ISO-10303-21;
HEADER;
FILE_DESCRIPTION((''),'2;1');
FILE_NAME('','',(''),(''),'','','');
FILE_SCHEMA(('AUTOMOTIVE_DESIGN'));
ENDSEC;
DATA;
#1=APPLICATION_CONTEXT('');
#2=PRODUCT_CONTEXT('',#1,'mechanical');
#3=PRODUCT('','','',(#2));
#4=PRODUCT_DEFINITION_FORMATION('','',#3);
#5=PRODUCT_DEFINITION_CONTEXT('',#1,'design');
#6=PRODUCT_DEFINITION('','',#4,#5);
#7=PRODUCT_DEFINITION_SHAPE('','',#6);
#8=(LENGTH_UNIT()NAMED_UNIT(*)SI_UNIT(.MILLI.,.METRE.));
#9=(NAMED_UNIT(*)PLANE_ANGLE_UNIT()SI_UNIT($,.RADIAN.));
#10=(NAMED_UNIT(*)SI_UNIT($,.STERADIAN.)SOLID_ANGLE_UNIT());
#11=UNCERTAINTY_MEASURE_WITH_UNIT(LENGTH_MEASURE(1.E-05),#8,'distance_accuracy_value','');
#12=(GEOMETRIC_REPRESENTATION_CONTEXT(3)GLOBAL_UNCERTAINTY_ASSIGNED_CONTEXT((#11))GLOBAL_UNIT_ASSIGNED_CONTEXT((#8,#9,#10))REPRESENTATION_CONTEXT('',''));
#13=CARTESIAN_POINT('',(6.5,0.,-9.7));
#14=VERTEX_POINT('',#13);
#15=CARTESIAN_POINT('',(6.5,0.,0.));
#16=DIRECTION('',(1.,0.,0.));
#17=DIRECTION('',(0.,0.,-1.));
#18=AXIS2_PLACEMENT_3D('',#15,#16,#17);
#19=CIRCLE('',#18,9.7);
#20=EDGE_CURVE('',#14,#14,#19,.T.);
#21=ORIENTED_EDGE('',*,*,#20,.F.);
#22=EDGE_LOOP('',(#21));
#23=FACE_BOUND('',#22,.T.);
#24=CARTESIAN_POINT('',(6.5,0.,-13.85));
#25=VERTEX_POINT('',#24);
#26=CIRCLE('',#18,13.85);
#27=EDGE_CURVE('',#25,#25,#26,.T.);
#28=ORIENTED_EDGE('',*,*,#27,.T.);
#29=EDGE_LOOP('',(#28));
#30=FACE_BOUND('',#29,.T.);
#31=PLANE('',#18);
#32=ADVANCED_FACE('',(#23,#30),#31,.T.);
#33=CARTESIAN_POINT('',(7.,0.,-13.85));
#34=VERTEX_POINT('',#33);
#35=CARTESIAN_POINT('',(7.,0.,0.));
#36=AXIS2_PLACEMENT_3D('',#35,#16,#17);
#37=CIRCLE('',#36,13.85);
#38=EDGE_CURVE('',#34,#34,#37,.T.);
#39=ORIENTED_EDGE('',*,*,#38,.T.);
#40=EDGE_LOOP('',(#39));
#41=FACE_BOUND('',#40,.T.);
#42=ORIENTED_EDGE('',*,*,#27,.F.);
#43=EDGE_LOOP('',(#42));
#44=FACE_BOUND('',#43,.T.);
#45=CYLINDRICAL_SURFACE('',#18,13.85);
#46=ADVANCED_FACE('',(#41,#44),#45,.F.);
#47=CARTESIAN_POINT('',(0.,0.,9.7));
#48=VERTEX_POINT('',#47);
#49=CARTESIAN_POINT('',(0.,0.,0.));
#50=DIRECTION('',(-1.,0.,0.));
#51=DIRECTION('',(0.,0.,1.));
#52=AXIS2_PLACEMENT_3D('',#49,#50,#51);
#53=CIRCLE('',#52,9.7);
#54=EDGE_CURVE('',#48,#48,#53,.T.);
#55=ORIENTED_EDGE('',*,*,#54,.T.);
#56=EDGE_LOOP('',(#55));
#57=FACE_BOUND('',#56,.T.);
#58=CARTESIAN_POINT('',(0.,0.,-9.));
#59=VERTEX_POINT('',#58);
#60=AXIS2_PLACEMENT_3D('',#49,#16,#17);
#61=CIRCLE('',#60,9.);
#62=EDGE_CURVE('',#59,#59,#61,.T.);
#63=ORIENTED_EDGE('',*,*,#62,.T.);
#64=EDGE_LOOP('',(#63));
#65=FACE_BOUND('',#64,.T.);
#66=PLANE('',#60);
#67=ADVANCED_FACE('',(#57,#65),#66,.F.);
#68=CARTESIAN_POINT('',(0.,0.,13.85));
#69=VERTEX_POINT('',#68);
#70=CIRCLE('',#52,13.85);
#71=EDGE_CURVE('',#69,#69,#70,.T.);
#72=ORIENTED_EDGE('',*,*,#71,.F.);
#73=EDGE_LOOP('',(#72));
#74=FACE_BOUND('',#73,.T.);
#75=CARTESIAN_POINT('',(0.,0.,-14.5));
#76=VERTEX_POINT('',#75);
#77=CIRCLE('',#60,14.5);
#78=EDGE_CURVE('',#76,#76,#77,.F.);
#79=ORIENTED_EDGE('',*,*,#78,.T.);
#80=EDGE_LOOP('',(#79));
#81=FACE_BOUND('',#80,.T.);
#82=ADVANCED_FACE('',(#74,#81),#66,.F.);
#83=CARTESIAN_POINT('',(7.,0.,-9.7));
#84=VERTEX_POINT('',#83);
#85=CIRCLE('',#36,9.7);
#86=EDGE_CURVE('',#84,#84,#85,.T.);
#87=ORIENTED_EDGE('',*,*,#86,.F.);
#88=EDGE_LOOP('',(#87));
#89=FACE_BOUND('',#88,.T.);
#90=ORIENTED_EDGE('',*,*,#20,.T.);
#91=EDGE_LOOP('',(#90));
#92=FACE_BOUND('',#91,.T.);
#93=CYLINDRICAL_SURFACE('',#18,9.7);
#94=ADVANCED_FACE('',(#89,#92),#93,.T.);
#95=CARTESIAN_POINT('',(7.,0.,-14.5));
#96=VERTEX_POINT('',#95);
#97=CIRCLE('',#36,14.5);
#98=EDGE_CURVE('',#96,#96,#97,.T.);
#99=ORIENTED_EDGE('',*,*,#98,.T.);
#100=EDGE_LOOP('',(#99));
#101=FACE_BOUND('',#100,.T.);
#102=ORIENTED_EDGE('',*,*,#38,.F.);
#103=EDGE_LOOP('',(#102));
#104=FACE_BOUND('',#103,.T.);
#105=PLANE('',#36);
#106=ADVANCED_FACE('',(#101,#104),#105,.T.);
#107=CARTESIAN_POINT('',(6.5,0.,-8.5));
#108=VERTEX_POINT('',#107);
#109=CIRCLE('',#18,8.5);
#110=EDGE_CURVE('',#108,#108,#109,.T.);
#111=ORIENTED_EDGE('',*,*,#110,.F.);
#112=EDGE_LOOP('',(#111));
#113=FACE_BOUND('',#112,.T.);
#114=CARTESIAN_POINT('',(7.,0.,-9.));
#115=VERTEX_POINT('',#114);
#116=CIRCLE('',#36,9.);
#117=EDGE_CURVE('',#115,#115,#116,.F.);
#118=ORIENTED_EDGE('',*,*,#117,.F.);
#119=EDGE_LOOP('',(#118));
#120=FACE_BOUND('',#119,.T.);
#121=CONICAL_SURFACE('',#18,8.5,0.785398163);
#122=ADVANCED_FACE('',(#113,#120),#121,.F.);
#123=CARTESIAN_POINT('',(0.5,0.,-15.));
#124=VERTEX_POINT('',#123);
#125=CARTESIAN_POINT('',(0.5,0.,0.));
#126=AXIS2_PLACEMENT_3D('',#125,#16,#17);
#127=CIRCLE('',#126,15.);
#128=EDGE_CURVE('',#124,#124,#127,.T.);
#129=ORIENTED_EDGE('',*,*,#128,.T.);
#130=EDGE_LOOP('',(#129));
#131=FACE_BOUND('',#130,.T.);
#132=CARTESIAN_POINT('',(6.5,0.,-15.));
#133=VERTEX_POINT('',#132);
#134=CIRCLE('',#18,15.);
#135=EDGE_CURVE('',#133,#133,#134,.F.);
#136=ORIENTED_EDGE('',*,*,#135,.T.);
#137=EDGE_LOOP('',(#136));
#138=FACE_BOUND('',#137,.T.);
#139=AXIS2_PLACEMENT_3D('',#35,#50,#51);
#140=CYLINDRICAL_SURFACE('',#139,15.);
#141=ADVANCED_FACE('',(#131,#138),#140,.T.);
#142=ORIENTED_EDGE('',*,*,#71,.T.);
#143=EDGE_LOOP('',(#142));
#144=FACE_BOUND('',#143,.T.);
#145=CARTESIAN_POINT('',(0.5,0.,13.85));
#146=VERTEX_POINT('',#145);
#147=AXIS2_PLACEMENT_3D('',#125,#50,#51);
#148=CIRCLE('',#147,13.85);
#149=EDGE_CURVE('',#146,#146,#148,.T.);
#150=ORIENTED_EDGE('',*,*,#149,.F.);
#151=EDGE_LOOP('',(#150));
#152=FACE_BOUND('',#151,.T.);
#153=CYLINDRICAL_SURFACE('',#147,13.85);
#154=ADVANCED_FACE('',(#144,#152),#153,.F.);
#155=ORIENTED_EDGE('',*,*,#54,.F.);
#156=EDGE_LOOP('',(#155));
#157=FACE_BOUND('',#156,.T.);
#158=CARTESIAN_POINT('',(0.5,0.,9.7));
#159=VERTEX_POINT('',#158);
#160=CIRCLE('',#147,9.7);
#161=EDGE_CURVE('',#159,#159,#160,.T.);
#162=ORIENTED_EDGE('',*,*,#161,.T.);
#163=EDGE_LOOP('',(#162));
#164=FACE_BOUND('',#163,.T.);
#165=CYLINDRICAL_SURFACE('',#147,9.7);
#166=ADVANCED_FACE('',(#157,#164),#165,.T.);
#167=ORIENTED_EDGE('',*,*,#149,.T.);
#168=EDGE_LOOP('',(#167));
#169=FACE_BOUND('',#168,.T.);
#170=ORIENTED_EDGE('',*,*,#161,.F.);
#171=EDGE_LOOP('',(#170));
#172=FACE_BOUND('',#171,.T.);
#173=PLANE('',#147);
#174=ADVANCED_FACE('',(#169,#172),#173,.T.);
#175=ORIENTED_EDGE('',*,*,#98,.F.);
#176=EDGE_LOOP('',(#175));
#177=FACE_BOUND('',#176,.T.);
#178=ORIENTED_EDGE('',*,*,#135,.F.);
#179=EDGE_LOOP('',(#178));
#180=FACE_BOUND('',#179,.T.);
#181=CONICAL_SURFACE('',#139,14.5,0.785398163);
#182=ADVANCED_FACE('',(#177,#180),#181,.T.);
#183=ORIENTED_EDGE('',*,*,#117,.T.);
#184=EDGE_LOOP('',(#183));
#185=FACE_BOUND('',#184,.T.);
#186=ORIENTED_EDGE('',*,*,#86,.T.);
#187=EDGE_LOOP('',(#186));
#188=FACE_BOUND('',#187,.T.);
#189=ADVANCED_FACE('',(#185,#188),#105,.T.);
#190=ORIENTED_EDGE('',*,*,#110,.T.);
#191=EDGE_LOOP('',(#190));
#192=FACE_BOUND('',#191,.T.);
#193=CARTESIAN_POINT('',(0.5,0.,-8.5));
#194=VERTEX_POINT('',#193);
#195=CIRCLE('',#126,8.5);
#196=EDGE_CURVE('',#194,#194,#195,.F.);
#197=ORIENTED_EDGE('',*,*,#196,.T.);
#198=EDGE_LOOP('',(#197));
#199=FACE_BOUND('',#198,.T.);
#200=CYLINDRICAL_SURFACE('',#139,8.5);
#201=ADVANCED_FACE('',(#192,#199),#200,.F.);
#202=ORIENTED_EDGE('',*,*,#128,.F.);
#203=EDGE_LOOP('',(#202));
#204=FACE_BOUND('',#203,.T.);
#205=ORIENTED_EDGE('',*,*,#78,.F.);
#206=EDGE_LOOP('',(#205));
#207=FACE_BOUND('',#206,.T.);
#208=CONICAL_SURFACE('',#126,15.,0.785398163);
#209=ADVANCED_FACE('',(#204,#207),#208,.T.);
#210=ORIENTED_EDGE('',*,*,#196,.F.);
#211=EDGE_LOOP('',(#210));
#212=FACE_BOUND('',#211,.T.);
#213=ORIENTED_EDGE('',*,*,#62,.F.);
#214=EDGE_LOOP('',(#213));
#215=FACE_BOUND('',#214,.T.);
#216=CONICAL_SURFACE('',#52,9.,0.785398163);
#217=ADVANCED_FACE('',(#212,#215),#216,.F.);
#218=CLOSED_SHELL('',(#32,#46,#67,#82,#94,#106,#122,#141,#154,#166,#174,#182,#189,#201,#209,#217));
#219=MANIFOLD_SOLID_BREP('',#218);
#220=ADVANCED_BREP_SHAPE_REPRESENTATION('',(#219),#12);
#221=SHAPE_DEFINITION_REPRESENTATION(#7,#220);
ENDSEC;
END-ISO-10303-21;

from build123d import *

# Parameters (mm, degrees)
SKETCH1_R           = 15
SKETCH1_R_2         = 8.5
BOSS_EXTRUDE1_DEPTH = 7
CHAMFER1_SIZE       = 0.5
SKETCH2_R           = 13.85
SKETCH2_R_2         = 9.7
CUT_EXTRUDE1_DEPTH  = 0.5
SKETCH3_R           = 13.85
SKETCH3_R_2         = 9.7
CUT_EXTRUDE2_DEPTH  = 0.5


with BuildPart() as part:
    # Sketch1 → Boss-Extrude1 (new body)
    with BuildSketch(Plane(origin=(0, 0, 0), x_dir=(0, 0, -1), z_dir=(1, 0, 0))):
        Circle(SKETCH1_R)
        Circle(SKETCH1_R_2, mode=Mode.SUBTRACT)
    extrude(amount=BOSS_EXTRUDE1_DEPTH)

    # Chamfer1
    chamfer1_edges = [part.edges().sort_by_distance(p)[0] for p in [
        (0, 0, 15),
        (7, 0, 15),
        (0, 0, 8.5),
        (7, 0, 8.5),
    ]]
    chamfer(chamfer1_edges, length=CHAMFER1_SIZE)

    # Sketch2 → Cut-Extrude1 (cut)
    with BuildSketch(Plane(origin=(7, 0, 0), x_dir=(0, 0, -1), z_dir=(1, 0, 0))):
        Circle(SKETCH2_R)
        Circle(SKETCH2_R_2, mode=Mode.SUBTRACT)
    extrude(amount=-CUT_EXTRUDE1_DEPTH, mode=Mode.SUBTRACT)

    # Sketch3 → Cut-Extrude2 (cut)
    with BuildSketch(Plane.ZY):
        Circle(SKETCH3_R)
        Circle(SKETCH3_R_2, mode=Mode.SUBTRACT)
    extrude(amount=-CUT_EXTRUDE2_DEPTH, mode=Mode.SUBTRACT)


solid = part.part
